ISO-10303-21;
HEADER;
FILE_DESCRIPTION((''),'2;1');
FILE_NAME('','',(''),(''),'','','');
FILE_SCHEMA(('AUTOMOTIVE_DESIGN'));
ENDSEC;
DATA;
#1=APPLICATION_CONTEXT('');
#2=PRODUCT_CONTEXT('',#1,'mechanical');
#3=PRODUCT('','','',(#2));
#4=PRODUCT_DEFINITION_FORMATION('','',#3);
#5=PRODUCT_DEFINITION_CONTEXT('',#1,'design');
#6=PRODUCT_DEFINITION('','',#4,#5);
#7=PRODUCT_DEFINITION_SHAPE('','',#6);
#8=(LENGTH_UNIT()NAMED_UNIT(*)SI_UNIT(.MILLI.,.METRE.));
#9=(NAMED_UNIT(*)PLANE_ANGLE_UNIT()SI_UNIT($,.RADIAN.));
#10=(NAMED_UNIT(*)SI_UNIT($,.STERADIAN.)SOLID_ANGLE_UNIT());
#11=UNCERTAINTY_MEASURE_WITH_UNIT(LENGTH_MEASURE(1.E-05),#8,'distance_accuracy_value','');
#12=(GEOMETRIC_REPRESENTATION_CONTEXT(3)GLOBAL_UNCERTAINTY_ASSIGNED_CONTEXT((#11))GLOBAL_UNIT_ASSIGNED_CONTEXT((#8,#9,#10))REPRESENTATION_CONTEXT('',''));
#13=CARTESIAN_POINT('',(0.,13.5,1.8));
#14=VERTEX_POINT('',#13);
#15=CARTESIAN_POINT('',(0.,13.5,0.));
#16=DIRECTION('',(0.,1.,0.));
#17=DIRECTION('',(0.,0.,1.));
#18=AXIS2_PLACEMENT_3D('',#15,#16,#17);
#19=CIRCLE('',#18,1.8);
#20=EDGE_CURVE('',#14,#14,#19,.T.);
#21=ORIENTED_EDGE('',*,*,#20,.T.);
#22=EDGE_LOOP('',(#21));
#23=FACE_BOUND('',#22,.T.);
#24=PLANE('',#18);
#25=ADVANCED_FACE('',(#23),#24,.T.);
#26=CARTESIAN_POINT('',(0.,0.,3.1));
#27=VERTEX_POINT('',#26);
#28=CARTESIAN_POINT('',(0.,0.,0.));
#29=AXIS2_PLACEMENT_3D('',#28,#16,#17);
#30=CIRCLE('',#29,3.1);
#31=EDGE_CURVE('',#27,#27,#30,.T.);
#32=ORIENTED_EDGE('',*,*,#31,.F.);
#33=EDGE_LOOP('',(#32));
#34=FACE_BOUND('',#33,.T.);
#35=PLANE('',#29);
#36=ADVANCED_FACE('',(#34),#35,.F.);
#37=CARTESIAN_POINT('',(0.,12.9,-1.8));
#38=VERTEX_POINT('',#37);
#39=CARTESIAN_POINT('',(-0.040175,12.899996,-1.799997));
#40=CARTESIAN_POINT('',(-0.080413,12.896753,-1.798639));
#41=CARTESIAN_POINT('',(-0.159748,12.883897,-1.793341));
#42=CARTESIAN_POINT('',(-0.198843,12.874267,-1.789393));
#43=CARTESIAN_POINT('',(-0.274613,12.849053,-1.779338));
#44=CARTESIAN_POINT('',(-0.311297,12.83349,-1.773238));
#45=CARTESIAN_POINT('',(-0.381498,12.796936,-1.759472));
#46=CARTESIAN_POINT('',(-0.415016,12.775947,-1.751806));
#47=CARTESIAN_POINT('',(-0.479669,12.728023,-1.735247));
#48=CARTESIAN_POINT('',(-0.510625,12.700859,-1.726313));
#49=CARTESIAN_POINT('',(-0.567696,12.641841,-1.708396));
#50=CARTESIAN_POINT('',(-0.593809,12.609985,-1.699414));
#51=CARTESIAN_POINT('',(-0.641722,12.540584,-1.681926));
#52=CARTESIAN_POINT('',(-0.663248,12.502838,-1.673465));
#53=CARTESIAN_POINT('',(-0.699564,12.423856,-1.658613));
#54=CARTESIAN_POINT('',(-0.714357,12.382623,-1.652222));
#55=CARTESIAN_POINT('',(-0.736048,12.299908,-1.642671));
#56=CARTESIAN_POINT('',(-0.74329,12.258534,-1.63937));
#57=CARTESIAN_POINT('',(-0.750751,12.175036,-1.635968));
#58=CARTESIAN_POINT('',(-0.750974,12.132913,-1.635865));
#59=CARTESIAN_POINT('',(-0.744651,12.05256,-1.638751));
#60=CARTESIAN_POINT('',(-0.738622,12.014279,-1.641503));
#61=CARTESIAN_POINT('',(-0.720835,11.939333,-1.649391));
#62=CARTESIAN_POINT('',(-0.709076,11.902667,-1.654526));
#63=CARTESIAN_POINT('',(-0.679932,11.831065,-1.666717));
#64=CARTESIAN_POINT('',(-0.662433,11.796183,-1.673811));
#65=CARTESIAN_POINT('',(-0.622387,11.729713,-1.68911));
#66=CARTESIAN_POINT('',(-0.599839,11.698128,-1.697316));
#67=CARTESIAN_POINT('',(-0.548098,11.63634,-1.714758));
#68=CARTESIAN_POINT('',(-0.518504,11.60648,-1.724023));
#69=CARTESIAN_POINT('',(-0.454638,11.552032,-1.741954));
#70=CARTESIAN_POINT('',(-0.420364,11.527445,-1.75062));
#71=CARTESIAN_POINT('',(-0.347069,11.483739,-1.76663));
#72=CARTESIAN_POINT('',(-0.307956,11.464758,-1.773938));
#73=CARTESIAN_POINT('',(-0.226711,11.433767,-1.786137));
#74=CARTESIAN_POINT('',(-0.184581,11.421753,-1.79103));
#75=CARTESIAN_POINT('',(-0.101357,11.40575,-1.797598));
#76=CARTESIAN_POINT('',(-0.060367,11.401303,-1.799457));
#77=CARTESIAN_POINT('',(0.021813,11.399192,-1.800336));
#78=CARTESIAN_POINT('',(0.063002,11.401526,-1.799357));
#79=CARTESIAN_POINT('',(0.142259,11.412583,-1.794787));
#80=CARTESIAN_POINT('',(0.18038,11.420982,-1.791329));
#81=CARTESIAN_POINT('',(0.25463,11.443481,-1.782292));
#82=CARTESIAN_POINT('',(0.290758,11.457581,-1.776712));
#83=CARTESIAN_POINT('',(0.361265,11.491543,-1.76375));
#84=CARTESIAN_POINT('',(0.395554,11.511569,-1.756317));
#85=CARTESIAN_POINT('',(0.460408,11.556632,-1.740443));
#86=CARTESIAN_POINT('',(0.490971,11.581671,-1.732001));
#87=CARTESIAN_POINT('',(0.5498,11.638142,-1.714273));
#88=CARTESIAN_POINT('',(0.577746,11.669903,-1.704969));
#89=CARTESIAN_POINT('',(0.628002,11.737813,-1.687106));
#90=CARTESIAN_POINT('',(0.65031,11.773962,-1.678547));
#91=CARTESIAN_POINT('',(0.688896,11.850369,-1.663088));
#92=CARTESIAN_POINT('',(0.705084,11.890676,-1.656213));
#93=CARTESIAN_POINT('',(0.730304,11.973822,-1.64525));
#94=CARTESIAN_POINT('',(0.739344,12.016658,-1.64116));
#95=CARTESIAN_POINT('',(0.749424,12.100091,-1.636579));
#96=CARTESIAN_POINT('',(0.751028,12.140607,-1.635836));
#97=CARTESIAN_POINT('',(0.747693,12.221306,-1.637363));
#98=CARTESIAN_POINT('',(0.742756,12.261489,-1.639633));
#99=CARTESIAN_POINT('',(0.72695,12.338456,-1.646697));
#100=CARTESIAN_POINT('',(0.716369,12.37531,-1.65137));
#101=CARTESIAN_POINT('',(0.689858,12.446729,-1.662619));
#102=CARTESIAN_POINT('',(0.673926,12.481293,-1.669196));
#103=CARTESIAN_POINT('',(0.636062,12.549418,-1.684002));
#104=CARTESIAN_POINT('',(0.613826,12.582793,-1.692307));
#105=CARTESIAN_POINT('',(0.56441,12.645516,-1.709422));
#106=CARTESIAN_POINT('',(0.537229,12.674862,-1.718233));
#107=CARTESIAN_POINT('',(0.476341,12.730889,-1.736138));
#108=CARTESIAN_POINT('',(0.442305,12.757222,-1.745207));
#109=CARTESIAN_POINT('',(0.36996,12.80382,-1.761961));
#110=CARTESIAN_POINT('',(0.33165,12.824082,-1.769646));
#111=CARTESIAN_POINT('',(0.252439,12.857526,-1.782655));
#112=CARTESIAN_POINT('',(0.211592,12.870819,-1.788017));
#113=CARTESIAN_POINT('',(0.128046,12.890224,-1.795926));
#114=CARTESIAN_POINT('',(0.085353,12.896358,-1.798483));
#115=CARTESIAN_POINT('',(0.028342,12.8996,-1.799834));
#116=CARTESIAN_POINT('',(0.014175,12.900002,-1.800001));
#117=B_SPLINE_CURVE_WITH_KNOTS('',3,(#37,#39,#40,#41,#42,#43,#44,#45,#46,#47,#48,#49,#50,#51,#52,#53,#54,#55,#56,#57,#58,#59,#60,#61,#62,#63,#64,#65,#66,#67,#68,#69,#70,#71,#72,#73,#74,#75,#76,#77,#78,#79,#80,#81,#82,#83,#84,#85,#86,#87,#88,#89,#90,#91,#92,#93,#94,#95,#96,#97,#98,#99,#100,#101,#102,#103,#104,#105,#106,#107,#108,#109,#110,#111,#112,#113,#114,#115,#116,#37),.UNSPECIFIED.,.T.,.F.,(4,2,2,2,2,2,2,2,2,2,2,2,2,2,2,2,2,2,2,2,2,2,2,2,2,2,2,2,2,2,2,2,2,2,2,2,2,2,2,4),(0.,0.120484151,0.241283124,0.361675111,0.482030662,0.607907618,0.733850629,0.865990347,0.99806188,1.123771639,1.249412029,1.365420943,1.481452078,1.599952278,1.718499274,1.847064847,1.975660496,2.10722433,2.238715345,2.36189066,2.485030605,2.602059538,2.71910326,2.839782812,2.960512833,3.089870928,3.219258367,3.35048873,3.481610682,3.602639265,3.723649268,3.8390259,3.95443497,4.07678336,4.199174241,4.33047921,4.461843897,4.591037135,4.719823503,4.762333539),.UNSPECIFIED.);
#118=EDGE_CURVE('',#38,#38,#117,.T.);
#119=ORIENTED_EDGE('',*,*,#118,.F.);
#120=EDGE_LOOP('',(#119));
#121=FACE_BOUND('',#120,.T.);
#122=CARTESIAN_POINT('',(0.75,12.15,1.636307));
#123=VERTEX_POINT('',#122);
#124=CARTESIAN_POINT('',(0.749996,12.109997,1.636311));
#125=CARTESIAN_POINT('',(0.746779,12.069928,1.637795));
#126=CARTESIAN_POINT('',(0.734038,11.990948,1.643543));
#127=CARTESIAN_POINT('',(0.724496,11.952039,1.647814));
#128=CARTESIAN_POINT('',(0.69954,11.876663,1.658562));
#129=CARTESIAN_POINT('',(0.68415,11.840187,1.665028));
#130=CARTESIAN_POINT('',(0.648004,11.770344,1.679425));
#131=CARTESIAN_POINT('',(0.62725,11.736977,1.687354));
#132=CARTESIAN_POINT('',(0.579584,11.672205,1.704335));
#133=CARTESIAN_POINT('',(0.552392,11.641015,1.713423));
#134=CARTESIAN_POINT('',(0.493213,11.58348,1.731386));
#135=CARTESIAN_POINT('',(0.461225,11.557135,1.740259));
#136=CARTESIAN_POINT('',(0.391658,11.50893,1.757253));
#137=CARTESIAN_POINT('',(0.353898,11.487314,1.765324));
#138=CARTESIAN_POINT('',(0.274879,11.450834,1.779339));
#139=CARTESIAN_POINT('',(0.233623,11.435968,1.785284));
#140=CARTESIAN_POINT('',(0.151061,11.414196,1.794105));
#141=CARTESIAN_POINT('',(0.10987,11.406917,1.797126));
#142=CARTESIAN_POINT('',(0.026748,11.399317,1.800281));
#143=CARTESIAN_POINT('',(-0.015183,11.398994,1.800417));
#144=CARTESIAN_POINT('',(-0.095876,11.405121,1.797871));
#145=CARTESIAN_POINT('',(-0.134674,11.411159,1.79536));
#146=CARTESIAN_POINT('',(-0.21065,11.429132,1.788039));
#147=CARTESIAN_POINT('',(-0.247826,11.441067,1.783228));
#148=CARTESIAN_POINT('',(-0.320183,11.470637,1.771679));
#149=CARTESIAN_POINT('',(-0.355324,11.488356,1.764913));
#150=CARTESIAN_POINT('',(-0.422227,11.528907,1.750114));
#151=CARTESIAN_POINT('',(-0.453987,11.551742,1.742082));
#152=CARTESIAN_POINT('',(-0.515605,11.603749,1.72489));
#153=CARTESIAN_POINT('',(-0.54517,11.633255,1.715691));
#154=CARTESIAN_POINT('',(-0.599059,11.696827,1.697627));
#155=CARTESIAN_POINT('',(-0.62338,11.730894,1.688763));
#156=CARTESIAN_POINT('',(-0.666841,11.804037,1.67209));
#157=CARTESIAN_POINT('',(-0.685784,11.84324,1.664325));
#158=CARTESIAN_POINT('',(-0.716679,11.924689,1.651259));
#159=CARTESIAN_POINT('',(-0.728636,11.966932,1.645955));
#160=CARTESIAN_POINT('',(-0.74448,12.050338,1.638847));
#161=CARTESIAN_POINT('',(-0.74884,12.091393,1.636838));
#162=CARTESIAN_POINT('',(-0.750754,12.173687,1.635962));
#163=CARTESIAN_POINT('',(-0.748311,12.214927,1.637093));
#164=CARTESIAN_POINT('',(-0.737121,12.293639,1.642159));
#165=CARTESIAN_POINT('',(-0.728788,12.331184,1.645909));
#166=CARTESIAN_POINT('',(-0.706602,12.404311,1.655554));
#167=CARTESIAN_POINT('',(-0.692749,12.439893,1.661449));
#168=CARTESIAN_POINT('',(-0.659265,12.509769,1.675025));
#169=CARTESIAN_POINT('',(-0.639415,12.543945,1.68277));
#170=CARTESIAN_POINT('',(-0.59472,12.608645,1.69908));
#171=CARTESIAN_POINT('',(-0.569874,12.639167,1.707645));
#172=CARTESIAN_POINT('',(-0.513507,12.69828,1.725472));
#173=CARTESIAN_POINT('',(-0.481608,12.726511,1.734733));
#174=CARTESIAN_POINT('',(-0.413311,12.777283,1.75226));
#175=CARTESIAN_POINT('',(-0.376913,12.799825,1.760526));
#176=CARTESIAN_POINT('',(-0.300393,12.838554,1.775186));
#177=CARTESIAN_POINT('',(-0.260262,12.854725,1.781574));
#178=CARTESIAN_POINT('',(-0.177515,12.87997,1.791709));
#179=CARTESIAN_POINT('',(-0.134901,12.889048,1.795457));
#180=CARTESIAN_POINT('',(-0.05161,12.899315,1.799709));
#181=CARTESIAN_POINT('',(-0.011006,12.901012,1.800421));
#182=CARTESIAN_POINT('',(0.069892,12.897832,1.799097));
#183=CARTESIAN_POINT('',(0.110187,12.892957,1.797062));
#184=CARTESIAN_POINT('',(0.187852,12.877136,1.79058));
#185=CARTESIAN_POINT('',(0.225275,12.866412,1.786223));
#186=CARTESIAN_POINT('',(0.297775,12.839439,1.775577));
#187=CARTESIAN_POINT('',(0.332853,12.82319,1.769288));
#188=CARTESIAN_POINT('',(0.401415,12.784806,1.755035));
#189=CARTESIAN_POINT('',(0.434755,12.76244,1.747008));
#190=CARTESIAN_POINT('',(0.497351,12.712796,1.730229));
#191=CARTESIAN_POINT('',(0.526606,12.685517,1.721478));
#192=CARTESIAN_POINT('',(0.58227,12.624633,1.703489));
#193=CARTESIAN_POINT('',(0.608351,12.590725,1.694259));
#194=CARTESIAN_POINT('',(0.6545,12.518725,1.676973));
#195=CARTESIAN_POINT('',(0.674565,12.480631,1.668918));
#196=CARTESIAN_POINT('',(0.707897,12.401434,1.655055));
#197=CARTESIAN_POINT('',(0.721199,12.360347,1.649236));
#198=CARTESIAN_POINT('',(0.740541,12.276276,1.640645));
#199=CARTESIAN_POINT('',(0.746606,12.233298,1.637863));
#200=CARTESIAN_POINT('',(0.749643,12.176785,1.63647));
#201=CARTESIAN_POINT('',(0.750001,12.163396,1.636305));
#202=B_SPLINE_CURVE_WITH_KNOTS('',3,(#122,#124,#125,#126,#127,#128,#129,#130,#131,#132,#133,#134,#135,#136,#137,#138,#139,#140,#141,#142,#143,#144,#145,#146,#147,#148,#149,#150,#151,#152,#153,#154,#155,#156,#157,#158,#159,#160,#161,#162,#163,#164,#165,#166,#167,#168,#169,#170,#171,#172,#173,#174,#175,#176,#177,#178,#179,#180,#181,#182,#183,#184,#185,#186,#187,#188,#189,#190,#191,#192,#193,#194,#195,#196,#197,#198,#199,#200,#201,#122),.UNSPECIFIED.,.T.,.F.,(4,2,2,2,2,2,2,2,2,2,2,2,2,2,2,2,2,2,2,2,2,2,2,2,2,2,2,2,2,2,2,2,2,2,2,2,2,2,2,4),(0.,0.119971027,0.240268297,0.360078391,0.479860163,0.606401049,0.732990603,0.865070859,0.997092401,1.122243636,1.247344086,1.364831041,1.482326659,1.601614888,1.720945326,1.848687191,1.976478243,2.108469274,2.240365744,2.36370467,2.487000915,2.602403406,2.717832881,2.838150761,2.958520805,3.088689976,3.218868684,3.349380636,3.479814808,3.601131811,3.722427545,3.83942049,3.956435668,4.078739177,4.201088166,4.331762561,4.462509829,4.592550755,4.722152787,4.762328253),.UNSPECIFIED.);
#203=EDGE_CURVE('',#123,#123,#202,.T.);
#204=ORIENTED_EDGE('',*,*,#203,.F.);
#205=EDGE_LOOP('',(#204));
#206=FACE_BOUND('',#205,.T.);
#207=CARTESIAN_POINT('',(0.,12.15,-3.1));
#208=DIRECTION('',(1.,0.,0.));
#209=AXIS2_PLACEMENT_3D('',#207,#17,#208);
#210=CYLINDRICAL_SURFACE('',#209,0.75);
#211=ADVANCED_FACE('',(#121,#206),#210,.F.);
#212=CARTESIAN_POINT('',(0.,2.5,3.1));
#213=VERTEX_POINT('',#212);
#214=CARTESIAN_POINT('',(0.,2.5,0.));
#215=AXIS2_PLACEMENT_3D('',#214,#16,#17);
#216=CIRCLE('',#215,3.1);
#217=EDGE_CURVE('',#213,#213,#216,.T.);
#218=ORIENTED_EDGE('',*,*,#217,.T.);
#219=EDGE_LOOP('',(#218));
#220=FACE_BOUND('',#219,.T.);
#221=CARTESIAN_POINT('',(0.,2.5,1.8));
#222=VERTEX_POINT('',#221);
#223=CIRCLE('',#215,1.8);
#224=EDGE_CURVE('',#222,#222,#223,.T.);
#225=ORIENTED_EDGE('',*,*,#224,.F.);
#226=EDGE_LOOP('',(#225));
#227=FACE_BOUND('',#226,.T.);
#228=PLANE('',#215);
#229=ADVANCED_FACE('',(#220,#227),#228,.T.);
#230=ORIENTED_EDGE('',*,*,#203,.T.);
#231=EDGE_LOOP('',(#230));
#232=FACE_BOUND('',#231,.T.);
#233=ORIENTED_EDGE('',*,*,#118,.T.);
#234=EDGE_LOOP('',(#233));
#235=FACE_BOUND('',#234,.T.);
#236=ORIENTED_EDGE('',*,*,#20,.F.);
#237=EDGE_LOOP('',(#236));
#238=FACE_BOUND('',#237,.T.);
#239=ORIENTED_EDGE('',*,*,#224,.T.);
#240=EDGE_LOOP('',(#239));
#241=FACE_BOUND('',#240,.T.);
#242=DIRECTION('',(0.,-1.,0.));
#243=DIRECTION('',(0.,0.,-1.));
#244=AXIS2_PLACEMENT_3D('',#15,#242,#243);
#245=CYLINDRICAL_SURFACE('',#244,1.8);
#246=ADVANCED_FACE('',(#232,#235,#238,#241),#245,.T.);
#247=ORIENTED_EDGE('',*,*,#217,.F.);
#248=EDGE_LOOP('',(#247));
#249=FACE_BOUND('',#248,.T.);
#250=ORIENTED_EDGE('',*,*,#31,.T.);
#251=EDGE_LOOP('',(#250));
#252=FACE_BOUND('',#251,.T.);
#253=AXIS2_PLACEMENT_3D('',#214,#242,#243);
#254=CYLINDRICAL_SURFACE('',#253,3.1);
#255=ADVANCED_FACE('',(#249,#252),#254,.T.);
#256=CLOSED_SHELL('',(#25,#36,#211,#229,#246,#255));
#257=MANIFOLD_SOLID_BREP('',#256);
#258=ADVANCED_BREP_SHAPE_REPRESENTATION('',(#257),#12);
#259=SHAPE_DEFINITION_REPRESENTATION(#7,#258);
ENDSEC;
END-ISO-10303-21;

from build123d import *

# Parameters (mm, degrees)
SKETCH2_R               = 3.1
BOSS_EXTRUDE1_DEPTH     = 2.5
SKETCH3_R               = 1.8
BOSS_EXTRUDE3_DEPTH     = 11
CUT_EXTRUDE1_DEPTH      = 15.194012822
CUT_EXTRUDE1_DEPTH_BACK = 15.194012822
SKETCH4_R               = 0.75


with BuildPart() as part:
    # Sketch2 → Boss-Extrude1 (new body)
    with BuildSketch(Plane(origin=(0, 0, 0), x_dir=(1, 0, 0), z_dir=(0, 1, 0))):
        with Locations(Location((0, 0, 0), (0, 0, 270))):
            Circle(SKETCH2_R)
    extrude(amount=BOSS_EXTRUDE1_DEPTH)

    # Sketch3 → Boss-Extrude3 (add)
    with BuildSketch(Plane(origin=(0, 2.5, 0), x_dir=(1, 0, 0), z_dir=(0, 1, 0))):
        with Locations(Location((0, 0, 0), (0, 0, 270))):
            Circle(SKETCH3_R)
    extrude(amount=BOSS_EXTRUDE3_DEPTH)

    # Sketch4 → Cut-Extrude1 (cut, two sides: drawn at the far end of the back side and taken through both)
    with BuildSketch(Plane.XY.offset(-CUT_EXTRUDE1_DEPTH_BACK)):
        with Locations(Location((0, 12.15, 0), (0, 0, 90))):
            Circle(SKETCH4_R)
    extrude(amount=CUT_EXTRUDE1_DEPTH + CUT_EXTRUDE1_DEPTH_BACK, mode=Mode.SUBTRACT)


solid = part.part
